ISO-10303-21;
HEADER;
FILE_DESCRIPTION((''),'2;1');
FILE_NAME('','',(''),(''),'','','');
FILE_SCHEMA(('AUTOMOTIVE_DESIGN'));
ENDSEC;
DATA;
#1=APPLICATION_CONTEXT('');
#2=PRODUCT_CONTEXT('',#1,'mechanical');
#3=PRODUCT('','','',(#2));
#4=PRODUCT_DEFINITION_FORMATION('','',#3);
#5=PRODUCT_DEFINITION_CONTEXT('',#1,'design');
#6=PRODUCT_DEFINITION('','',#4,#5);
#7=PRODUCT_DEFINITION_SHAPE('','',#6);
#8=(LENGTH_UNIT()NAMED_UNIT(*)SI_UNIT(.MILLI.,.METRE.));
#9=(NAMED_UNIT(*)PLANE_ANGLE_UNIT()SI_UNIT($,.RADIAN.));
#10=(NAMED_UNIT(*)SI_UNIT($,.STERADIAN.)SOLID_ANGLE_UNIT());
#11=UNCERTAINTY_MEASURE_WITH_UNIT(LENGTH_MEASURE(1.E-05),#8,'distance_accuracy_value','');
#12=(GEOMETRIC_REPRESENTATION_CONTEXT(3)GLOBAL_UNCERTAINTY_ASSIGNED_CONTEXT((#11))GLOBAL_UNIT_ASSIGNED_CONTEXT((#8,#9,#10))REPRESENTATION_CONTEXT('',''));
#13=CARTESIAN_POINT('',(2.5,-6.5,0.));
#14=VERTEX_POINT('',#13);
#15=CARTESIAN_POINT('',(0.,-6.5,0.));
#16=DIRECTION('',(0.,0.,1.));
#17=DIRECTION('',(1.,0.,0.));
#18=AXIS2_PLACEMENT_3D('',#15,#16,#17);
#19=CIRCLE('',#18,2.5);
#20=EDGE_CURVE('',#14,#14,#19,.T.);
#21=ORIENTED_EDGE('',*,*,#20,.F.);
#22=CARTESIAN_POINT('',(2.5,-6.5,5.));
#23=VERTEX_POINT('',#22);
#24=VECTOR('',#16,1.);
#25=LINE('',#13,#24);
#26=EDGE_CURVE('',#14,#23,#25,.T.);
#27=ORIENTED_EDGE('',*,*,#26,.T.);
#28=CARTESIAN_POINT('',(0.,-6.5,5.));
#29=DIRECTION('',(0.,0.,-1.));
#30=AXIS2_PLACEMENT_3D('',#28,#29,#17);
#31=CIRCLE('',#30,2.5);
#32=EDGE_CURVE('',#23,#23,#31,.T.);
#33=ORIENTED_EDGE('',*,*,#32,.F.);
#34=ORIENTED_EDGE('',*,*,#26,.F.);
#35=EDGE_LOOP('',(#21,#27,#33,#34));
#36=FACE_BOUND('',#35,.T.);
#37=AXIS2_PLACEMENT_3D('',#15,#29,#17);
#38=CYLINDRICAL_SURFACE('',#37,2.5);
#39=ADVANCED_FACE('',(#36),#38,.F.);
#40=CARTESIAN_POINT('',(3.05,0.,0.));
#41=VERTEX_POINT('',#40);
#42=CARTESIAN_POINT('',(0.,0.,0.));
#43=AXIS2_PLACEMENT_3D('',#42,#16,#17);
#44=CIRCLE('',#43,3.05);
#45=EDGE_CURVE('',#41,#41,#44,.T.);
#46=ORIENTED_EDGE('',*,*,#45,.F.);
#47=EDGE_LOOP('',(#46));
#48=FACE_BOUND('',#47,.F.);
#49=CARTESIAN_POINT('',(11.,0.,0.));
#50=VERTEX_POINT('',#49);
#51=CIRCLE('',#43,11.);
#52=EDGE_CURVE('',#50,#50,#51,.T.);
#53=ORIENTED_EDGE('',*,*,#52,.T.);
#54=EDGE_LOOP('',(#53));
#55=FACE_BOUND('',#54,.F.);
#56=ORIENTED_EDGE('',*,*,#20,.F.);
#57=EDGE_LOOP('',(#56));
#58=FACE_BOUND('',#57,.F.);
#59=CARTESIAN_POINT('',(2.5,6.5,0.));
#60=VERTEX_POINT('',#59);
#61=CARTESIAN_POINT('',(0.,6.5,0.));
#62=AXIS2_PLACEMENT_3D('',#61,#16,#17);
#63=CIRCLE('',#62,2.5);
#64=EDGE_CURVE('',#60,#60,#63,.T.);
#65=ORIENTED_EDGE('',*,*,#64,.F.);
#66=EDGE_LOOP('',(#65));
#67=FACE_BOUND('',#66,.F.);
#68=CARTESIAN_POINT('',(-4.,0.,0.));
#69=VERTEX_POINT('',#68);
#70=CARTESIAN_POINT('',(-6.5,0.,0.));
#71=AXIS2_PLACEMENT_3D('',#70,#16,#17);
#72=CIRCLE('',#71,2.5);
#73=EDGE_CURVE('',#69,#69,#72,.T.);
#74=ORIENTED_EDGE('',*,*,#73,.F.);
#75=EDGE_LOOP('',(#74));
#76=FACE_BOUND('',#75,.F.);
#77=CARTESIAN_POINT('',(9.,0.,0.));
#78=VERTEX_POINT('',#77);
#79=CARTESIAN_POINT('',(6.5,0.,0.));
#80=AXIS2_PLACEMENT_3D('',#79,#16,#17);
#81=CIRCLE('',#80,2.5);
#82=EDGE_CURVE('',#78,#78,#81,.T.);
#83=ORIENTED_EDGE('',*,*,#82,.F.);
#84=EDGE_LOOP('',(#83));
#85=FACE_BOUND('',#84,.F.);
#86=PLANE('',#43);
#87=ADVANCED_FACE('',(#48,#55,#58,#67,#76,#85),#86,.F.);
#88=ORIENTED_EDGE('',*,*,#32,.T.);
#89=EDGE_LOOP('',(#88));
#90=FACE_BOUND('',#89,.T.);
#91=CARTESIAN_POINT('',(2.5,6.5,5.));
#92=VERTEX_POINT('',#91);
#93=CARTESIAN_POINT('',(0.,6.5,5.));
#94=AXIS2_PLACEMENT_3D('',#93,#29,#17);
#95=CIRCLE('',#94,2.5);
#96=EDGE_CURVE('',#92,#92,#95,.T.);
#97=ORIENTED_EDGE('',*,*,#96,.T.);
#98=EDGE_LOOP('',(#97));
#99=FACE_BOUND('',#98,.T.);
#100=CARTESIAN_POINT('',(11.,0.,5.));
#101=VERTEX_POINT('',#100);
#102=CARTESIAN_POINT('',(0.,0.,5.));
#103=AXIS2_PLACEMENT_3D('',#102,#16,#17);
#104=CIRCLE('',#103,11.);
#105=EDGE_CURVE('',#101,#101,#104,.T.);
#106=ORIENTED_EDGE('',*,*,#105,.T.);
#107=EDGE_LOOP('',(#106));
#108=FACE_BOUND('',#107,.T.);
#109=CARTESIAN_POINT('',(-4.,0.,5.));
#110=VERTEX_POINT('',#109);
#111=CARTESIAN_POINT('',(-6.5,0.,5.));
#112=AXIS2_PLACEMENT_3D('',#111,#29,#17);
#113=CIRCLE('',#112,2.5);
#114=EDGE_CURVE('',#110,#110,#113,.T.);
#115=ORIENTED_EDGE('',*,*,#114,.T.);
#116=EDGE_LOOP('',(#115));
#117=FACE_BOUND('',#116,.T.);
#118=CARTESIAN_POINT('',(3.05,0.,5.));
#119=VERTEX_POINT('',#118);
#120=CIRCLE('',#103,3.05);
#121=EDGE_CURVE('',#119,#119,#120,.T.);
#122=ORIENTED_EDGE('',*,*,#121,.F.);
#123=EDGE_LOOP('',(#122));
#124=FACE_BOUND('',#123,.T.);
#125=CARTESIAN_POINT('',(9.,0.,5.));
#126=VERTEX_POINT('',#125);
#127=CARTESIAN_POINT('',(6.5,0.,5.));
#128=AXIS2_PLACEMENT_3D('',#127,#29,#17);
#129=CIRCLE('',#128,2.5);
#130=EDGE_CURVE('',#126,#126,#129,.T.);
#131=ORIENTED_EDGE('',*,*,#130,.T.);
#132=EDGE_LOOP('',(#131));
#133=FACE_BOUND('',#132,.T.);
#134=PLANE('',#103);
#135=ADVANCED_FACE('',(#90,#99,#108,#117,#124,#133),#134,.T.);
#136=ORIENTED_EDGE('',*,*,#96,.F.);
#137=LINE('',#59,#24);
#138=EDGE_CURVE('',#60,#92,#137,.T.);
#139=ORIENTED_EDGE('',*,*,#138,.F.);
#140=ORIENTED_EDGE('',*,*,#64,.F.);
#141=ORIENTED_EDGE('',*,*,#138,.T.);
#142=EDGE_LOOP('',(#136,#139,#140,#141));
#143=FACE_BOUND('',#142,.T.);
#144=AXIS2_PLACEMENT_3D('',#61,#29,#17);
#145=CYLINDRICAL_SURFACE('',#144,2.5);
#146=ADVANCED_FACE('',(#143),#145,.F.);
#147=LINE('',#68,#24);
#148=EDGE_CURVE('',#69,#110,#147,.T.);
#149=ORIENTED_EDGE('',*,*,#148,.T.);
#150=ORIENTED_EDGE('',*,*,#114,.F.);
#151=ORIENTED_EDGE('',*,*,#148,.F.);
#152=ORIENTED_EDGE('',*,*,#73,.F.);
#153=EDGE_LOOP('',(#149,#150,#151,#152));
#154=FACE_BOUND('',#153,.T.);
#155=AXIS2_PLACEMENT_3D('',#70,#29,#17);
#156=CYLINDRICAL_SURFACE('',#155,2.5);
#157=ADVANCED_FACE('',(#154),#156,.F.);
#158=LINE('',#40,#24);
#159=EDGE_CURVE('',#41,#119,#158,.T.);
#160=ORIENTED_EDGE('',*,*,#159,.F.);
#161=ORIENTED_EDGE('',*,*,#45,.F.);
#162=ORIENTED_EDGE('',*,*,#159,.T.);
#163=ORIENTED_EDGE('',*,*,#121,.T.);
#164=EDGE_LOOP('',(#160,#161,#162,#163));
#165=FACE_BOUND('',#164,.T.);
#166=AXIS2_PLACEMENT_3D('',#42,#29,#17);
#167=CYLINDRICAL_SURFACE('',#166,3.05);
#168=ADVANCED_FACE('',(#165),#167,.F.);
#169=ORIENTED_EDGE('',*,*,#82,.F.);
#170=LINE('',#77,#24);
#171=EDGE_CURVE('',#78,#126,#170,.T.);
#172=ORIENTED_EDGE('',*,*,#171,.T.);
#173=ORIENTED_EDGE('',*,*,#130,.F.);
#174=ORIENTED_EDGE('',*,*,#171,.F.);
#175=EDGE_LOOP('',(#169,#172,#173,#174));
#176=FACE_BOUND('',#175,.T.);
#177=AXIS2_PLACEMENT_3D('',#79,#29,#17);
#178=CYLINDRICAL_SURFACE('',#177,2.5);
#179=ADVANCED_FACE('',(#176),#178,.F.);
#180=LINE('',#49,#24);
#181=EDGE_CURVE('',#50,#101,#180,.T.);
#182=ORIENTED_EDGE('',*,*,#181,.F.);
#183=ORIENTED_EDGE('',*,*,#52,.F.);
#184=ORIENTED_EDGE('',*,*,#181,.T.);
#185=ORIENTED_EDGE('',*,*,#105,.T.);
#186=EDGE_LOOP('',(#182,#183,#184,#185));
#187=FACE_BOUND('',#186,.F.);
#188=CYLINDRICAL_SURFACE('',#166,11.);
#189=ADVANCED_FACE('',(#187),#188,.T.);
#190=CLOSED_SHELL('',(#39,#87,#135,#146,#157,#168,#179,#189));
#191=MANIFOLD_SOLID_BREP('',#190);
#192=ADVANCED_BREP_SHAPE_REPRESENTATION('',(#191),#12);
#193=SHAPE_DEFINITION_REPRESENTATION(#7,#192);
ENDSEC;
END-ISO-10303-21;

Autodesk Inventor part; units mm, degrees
ref_plane "YZ Plane" through (0, 0, 0) normal (1, 0, 0) x (0, 1, 0)
ref_plane "XZ Plane" through (0, 0, 0) normal (0, 1, 0) x (-1, 0, 0)
ref_plane "XY Plane" through (0, 0, 0) normal (0, 0, 1) x (1, 0, 0)
sketch "スケッチ1" plane through (0, 0, 0) normal (0, 0, 1) x (1, 0, 0)
  circle A0 centre (0, 0) radius 3.05
  circle A1 centre (0, 0) radius 11
  circle A2 centre (0, 0) radius 6.5
  circle A3 centre (0, 6.5) radius 2.5
  circle A4 centre (0, -6.5) radius 2.5
  circle A5 centre (6.5, 0) radius 2.5
  circle A6 centre (-6.5, 0) radius 2.5
  dimension "d0" = 6.1
  dimension "d1" = 22
  dimension "d2" = 13
  dimension "d3" = 5
  dimension "d4" = 5
  dimension "d5" = 5
  dimension "d6" = 5
extrude "押し出し1" add sketch "スケッチ1" along normal blind 5 contours A1 | A5 A2 A4 A6 A3
properties part number "passive_walking_robot6_parts2"
